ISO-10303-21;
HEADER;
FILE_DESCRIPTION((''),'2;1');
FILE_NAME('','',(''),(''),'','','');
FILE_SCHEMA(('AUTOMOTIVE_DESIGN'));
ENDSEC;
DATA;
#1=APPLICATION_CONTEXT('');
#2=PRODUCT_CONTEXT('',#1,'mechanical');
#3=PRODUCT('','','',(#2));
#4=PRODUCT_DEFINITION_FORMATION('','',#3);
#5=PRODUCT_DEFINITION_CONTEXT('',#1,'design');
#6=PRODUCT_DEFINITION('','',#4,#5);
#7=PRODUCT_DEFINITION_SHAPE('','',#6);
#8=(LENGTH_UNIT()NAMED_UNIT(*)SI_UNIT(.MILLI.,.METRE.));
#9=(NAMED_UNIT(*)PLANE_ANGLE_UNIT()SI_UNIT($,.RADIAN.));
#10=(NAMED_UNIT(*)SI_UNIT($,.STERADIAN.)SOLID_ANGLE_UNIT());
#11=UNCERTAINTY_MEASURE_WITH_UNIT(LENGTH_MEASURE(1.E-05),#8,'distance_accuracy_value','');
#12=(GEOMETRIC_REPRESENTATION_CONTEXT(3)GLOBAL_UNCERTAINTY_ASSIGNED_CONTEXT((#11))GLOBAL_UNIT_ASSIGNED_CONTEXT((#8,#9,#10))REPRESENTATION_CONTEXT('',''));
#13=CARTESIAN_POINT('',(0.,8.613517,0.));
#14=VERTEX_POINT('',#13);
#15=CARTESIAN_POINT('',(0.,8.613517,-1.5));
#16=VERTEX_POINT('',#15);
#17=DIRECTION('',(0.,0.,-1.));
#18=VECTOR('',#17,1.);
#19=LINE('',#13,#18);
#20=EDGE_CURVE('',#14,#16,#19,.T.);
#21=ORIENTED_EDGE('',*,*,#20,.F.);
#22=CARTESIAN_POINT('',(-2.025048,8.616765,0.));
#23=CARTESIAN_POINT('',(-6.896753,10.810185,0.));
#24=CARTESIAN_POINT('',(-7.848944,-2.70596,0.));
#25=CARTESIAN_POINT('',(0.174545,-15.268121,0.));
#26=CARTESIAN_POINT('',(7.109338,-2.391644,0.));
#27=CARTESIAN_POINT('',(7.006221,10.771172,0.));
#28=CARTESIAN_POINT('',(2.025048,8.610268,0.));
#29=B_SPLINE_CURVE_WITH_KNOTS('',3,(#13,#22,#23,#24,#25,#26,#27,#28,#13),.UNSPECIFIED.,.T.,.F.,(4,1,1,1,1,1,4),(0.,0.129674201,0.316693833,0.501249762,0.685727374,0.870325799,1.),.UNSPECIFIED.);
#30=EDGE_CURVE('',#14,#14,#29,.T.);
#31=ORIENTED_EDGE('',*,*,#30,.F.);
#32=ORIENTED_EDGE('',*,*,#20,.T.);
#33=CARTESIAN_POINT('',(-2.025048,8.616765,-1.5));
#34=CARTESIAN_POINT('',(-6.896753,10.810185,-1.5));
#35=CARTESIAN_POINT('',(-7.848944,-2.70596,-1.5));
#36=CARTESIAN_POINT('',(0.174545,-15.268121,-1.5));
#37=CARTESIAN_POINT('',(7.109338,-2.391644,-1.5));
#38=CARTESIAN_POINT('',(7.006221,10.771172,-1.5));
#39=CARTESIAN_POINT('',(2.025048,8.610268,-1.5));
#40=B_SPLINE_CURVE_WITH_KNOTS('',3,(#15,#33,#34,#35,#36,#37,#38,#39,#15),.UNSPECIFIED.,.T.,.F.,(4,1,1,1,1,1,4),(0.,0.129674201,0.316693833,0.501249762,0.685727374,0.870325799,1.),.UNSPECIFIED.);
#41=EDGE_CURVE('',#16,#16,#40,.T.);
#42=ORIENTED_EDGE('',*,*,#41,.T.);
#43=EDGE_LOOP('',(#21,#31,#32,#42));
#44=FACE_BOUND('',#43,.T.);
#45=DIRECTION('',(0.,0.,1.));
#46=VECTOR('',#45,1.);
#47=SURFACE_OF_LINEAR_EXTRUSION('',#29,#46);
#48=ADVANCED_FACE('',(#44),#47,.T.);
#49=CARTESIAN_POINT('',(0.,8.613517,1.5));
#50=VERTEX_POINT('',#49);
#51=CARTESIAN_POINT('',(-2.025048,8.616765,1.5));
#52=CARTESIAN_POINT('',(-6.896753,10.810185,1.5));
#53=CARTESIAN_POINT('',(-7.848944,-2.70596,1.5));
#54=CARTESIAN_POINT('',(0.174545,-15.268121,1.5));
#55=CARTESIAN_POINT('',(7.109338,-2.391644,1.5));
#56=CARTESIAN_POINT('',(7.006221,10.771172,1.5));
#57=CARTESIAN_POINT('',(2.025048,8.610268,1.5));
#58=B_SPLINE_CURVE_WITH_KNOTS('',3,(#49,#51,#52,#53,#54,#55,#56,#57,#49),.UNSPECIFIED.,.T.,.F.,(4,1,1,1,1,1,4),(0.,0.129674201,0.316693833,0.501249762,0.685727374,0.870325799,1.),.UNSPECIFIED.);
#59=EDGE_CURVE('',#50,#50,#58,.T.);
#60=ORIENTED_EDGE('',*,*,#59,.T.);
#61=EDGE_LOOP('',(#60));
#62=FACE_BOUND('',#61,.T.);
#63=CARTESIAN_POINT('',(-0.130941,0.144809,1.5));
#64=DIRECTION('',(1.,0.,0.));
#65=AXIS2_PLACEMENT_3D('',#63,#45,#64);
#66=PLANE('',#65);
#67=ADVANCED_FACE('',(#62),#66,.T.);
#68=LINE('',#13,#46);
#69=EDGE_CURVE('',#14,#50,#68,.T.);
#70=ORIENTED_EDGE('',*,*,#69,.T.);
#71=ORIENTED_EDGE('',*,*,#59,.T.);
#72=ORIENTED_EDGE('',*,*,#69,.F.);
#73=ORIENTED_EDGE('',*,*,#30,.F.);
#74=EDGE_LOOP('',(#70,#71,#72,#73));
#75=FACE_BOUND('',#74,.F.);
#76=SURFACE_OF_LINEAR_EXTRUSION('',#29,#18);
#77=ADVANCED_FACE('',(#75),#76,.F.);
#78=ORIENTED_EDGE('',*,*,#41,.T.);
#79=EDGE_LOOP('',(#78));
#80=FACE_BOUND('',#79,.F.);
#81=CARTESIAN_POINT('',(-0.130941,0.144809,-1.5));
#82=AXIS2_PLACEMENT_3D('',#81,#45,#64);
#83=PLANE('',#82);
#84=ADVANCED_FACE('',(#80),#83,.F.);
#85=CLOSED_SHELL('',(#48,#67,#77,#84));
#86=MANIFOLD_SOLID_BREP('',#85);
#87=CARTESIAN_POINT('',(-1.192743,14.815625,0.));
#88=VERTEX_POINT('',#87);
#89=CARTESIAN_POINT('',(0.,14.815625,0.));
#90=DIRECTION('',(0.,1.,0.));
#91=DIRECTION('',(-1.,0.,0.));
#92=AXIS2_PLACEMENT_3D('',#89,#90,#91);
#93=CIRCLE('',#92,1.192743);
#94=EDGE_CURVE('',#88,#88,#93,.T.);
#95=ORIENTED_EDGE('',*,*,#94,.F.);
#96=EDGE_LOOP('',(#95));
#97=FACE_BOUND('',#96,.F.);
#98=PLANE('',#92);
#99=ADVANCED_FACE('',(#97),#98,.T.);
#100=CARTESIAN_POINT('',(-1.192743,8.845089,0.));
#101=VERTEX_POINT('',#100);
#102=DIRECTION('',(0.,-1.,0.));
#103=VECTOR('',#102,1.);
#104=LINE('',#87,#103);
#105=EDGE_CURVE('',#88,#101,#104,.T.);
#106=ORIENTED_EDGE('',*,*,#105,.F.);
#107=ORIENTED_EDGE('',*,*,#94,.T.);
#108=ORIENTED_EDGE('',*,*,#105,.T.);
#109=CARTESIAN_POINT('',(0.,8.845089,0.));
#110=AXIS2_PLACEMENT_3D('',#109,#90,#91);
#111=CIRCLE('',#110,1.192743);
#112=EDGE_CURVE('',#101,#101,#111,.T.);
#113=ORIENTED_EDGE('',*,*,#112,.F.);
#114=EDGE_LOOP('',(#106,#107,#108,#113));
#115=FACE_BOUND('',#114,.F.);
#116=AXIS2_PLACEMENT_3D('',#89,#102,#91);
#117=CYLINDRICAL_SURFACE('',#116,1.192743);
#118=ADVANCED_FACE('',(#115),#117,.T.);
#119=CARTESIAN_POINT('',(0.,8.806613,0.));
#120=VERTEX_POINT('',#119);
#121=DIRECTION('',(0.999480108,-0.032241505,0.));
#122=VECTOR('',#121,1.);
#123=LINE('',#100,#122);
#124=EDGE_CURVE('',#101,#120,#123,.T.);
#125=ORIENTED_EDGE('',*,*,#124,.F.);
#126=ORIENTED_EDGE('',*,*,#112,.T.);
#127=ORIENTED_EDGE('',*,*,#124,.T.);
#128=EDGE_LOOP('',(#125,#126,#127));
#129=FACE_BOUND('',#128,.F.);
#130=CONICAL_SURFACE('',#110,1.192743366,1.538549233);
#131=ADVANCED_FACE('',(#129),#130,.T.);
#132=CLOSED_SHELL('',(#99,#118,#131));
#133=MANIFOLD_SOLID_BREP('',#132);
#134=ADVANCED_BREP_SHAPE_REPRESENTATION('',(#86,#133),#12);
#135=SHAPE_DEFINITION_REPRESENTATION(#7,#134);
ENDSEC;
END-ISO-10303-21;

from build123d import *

# Parameters (mm, degrees)
F1_DEPTH = 1.5


with BuildPart() as f1:
    # F0 (on Top) → F1 (new body, symmetric)
    with BuildSketch(Plane.XY):
        with BuildLine():
            add(Edge.make_bspline(
                [(0, 8.6135165766), (-2.0250481209, 8.616765204), (-6.8967533798, 10.8101850303), (-7.848943545, -2.7059601844), (0.1745451704, -15.2681209722), (7.1093377805, -2.391643729), (7.0062214265, 10.7711720497), (2.0250481209, 8.6102679492), (0, 8.6135165766)],
                knots=[0, 0, 0, 0, 0.1296742012, 0.3166938332, 0.5012497625, 0.6857273739, 0.8703257988, 1, 1, 1, 1], degree=3))
        make_face()
    extrude(amount=F1_DEPTH, both=True)


with BuildPart() as f3:
    # F2 (on Top) → F3 (revolve)
    with BuildSketch(Plane.XY):
        Polygon((-1.1927433661, 14.8156252918), (-1.1927433661, 8.8450885607), (0, 8.806612716), (0, 14.8156252918), align=None)
    revolve(axis=Axis((0, 11.8111190039, 0), (0, 1, 0)))


solid = Compound([f1.part, f3.part])
